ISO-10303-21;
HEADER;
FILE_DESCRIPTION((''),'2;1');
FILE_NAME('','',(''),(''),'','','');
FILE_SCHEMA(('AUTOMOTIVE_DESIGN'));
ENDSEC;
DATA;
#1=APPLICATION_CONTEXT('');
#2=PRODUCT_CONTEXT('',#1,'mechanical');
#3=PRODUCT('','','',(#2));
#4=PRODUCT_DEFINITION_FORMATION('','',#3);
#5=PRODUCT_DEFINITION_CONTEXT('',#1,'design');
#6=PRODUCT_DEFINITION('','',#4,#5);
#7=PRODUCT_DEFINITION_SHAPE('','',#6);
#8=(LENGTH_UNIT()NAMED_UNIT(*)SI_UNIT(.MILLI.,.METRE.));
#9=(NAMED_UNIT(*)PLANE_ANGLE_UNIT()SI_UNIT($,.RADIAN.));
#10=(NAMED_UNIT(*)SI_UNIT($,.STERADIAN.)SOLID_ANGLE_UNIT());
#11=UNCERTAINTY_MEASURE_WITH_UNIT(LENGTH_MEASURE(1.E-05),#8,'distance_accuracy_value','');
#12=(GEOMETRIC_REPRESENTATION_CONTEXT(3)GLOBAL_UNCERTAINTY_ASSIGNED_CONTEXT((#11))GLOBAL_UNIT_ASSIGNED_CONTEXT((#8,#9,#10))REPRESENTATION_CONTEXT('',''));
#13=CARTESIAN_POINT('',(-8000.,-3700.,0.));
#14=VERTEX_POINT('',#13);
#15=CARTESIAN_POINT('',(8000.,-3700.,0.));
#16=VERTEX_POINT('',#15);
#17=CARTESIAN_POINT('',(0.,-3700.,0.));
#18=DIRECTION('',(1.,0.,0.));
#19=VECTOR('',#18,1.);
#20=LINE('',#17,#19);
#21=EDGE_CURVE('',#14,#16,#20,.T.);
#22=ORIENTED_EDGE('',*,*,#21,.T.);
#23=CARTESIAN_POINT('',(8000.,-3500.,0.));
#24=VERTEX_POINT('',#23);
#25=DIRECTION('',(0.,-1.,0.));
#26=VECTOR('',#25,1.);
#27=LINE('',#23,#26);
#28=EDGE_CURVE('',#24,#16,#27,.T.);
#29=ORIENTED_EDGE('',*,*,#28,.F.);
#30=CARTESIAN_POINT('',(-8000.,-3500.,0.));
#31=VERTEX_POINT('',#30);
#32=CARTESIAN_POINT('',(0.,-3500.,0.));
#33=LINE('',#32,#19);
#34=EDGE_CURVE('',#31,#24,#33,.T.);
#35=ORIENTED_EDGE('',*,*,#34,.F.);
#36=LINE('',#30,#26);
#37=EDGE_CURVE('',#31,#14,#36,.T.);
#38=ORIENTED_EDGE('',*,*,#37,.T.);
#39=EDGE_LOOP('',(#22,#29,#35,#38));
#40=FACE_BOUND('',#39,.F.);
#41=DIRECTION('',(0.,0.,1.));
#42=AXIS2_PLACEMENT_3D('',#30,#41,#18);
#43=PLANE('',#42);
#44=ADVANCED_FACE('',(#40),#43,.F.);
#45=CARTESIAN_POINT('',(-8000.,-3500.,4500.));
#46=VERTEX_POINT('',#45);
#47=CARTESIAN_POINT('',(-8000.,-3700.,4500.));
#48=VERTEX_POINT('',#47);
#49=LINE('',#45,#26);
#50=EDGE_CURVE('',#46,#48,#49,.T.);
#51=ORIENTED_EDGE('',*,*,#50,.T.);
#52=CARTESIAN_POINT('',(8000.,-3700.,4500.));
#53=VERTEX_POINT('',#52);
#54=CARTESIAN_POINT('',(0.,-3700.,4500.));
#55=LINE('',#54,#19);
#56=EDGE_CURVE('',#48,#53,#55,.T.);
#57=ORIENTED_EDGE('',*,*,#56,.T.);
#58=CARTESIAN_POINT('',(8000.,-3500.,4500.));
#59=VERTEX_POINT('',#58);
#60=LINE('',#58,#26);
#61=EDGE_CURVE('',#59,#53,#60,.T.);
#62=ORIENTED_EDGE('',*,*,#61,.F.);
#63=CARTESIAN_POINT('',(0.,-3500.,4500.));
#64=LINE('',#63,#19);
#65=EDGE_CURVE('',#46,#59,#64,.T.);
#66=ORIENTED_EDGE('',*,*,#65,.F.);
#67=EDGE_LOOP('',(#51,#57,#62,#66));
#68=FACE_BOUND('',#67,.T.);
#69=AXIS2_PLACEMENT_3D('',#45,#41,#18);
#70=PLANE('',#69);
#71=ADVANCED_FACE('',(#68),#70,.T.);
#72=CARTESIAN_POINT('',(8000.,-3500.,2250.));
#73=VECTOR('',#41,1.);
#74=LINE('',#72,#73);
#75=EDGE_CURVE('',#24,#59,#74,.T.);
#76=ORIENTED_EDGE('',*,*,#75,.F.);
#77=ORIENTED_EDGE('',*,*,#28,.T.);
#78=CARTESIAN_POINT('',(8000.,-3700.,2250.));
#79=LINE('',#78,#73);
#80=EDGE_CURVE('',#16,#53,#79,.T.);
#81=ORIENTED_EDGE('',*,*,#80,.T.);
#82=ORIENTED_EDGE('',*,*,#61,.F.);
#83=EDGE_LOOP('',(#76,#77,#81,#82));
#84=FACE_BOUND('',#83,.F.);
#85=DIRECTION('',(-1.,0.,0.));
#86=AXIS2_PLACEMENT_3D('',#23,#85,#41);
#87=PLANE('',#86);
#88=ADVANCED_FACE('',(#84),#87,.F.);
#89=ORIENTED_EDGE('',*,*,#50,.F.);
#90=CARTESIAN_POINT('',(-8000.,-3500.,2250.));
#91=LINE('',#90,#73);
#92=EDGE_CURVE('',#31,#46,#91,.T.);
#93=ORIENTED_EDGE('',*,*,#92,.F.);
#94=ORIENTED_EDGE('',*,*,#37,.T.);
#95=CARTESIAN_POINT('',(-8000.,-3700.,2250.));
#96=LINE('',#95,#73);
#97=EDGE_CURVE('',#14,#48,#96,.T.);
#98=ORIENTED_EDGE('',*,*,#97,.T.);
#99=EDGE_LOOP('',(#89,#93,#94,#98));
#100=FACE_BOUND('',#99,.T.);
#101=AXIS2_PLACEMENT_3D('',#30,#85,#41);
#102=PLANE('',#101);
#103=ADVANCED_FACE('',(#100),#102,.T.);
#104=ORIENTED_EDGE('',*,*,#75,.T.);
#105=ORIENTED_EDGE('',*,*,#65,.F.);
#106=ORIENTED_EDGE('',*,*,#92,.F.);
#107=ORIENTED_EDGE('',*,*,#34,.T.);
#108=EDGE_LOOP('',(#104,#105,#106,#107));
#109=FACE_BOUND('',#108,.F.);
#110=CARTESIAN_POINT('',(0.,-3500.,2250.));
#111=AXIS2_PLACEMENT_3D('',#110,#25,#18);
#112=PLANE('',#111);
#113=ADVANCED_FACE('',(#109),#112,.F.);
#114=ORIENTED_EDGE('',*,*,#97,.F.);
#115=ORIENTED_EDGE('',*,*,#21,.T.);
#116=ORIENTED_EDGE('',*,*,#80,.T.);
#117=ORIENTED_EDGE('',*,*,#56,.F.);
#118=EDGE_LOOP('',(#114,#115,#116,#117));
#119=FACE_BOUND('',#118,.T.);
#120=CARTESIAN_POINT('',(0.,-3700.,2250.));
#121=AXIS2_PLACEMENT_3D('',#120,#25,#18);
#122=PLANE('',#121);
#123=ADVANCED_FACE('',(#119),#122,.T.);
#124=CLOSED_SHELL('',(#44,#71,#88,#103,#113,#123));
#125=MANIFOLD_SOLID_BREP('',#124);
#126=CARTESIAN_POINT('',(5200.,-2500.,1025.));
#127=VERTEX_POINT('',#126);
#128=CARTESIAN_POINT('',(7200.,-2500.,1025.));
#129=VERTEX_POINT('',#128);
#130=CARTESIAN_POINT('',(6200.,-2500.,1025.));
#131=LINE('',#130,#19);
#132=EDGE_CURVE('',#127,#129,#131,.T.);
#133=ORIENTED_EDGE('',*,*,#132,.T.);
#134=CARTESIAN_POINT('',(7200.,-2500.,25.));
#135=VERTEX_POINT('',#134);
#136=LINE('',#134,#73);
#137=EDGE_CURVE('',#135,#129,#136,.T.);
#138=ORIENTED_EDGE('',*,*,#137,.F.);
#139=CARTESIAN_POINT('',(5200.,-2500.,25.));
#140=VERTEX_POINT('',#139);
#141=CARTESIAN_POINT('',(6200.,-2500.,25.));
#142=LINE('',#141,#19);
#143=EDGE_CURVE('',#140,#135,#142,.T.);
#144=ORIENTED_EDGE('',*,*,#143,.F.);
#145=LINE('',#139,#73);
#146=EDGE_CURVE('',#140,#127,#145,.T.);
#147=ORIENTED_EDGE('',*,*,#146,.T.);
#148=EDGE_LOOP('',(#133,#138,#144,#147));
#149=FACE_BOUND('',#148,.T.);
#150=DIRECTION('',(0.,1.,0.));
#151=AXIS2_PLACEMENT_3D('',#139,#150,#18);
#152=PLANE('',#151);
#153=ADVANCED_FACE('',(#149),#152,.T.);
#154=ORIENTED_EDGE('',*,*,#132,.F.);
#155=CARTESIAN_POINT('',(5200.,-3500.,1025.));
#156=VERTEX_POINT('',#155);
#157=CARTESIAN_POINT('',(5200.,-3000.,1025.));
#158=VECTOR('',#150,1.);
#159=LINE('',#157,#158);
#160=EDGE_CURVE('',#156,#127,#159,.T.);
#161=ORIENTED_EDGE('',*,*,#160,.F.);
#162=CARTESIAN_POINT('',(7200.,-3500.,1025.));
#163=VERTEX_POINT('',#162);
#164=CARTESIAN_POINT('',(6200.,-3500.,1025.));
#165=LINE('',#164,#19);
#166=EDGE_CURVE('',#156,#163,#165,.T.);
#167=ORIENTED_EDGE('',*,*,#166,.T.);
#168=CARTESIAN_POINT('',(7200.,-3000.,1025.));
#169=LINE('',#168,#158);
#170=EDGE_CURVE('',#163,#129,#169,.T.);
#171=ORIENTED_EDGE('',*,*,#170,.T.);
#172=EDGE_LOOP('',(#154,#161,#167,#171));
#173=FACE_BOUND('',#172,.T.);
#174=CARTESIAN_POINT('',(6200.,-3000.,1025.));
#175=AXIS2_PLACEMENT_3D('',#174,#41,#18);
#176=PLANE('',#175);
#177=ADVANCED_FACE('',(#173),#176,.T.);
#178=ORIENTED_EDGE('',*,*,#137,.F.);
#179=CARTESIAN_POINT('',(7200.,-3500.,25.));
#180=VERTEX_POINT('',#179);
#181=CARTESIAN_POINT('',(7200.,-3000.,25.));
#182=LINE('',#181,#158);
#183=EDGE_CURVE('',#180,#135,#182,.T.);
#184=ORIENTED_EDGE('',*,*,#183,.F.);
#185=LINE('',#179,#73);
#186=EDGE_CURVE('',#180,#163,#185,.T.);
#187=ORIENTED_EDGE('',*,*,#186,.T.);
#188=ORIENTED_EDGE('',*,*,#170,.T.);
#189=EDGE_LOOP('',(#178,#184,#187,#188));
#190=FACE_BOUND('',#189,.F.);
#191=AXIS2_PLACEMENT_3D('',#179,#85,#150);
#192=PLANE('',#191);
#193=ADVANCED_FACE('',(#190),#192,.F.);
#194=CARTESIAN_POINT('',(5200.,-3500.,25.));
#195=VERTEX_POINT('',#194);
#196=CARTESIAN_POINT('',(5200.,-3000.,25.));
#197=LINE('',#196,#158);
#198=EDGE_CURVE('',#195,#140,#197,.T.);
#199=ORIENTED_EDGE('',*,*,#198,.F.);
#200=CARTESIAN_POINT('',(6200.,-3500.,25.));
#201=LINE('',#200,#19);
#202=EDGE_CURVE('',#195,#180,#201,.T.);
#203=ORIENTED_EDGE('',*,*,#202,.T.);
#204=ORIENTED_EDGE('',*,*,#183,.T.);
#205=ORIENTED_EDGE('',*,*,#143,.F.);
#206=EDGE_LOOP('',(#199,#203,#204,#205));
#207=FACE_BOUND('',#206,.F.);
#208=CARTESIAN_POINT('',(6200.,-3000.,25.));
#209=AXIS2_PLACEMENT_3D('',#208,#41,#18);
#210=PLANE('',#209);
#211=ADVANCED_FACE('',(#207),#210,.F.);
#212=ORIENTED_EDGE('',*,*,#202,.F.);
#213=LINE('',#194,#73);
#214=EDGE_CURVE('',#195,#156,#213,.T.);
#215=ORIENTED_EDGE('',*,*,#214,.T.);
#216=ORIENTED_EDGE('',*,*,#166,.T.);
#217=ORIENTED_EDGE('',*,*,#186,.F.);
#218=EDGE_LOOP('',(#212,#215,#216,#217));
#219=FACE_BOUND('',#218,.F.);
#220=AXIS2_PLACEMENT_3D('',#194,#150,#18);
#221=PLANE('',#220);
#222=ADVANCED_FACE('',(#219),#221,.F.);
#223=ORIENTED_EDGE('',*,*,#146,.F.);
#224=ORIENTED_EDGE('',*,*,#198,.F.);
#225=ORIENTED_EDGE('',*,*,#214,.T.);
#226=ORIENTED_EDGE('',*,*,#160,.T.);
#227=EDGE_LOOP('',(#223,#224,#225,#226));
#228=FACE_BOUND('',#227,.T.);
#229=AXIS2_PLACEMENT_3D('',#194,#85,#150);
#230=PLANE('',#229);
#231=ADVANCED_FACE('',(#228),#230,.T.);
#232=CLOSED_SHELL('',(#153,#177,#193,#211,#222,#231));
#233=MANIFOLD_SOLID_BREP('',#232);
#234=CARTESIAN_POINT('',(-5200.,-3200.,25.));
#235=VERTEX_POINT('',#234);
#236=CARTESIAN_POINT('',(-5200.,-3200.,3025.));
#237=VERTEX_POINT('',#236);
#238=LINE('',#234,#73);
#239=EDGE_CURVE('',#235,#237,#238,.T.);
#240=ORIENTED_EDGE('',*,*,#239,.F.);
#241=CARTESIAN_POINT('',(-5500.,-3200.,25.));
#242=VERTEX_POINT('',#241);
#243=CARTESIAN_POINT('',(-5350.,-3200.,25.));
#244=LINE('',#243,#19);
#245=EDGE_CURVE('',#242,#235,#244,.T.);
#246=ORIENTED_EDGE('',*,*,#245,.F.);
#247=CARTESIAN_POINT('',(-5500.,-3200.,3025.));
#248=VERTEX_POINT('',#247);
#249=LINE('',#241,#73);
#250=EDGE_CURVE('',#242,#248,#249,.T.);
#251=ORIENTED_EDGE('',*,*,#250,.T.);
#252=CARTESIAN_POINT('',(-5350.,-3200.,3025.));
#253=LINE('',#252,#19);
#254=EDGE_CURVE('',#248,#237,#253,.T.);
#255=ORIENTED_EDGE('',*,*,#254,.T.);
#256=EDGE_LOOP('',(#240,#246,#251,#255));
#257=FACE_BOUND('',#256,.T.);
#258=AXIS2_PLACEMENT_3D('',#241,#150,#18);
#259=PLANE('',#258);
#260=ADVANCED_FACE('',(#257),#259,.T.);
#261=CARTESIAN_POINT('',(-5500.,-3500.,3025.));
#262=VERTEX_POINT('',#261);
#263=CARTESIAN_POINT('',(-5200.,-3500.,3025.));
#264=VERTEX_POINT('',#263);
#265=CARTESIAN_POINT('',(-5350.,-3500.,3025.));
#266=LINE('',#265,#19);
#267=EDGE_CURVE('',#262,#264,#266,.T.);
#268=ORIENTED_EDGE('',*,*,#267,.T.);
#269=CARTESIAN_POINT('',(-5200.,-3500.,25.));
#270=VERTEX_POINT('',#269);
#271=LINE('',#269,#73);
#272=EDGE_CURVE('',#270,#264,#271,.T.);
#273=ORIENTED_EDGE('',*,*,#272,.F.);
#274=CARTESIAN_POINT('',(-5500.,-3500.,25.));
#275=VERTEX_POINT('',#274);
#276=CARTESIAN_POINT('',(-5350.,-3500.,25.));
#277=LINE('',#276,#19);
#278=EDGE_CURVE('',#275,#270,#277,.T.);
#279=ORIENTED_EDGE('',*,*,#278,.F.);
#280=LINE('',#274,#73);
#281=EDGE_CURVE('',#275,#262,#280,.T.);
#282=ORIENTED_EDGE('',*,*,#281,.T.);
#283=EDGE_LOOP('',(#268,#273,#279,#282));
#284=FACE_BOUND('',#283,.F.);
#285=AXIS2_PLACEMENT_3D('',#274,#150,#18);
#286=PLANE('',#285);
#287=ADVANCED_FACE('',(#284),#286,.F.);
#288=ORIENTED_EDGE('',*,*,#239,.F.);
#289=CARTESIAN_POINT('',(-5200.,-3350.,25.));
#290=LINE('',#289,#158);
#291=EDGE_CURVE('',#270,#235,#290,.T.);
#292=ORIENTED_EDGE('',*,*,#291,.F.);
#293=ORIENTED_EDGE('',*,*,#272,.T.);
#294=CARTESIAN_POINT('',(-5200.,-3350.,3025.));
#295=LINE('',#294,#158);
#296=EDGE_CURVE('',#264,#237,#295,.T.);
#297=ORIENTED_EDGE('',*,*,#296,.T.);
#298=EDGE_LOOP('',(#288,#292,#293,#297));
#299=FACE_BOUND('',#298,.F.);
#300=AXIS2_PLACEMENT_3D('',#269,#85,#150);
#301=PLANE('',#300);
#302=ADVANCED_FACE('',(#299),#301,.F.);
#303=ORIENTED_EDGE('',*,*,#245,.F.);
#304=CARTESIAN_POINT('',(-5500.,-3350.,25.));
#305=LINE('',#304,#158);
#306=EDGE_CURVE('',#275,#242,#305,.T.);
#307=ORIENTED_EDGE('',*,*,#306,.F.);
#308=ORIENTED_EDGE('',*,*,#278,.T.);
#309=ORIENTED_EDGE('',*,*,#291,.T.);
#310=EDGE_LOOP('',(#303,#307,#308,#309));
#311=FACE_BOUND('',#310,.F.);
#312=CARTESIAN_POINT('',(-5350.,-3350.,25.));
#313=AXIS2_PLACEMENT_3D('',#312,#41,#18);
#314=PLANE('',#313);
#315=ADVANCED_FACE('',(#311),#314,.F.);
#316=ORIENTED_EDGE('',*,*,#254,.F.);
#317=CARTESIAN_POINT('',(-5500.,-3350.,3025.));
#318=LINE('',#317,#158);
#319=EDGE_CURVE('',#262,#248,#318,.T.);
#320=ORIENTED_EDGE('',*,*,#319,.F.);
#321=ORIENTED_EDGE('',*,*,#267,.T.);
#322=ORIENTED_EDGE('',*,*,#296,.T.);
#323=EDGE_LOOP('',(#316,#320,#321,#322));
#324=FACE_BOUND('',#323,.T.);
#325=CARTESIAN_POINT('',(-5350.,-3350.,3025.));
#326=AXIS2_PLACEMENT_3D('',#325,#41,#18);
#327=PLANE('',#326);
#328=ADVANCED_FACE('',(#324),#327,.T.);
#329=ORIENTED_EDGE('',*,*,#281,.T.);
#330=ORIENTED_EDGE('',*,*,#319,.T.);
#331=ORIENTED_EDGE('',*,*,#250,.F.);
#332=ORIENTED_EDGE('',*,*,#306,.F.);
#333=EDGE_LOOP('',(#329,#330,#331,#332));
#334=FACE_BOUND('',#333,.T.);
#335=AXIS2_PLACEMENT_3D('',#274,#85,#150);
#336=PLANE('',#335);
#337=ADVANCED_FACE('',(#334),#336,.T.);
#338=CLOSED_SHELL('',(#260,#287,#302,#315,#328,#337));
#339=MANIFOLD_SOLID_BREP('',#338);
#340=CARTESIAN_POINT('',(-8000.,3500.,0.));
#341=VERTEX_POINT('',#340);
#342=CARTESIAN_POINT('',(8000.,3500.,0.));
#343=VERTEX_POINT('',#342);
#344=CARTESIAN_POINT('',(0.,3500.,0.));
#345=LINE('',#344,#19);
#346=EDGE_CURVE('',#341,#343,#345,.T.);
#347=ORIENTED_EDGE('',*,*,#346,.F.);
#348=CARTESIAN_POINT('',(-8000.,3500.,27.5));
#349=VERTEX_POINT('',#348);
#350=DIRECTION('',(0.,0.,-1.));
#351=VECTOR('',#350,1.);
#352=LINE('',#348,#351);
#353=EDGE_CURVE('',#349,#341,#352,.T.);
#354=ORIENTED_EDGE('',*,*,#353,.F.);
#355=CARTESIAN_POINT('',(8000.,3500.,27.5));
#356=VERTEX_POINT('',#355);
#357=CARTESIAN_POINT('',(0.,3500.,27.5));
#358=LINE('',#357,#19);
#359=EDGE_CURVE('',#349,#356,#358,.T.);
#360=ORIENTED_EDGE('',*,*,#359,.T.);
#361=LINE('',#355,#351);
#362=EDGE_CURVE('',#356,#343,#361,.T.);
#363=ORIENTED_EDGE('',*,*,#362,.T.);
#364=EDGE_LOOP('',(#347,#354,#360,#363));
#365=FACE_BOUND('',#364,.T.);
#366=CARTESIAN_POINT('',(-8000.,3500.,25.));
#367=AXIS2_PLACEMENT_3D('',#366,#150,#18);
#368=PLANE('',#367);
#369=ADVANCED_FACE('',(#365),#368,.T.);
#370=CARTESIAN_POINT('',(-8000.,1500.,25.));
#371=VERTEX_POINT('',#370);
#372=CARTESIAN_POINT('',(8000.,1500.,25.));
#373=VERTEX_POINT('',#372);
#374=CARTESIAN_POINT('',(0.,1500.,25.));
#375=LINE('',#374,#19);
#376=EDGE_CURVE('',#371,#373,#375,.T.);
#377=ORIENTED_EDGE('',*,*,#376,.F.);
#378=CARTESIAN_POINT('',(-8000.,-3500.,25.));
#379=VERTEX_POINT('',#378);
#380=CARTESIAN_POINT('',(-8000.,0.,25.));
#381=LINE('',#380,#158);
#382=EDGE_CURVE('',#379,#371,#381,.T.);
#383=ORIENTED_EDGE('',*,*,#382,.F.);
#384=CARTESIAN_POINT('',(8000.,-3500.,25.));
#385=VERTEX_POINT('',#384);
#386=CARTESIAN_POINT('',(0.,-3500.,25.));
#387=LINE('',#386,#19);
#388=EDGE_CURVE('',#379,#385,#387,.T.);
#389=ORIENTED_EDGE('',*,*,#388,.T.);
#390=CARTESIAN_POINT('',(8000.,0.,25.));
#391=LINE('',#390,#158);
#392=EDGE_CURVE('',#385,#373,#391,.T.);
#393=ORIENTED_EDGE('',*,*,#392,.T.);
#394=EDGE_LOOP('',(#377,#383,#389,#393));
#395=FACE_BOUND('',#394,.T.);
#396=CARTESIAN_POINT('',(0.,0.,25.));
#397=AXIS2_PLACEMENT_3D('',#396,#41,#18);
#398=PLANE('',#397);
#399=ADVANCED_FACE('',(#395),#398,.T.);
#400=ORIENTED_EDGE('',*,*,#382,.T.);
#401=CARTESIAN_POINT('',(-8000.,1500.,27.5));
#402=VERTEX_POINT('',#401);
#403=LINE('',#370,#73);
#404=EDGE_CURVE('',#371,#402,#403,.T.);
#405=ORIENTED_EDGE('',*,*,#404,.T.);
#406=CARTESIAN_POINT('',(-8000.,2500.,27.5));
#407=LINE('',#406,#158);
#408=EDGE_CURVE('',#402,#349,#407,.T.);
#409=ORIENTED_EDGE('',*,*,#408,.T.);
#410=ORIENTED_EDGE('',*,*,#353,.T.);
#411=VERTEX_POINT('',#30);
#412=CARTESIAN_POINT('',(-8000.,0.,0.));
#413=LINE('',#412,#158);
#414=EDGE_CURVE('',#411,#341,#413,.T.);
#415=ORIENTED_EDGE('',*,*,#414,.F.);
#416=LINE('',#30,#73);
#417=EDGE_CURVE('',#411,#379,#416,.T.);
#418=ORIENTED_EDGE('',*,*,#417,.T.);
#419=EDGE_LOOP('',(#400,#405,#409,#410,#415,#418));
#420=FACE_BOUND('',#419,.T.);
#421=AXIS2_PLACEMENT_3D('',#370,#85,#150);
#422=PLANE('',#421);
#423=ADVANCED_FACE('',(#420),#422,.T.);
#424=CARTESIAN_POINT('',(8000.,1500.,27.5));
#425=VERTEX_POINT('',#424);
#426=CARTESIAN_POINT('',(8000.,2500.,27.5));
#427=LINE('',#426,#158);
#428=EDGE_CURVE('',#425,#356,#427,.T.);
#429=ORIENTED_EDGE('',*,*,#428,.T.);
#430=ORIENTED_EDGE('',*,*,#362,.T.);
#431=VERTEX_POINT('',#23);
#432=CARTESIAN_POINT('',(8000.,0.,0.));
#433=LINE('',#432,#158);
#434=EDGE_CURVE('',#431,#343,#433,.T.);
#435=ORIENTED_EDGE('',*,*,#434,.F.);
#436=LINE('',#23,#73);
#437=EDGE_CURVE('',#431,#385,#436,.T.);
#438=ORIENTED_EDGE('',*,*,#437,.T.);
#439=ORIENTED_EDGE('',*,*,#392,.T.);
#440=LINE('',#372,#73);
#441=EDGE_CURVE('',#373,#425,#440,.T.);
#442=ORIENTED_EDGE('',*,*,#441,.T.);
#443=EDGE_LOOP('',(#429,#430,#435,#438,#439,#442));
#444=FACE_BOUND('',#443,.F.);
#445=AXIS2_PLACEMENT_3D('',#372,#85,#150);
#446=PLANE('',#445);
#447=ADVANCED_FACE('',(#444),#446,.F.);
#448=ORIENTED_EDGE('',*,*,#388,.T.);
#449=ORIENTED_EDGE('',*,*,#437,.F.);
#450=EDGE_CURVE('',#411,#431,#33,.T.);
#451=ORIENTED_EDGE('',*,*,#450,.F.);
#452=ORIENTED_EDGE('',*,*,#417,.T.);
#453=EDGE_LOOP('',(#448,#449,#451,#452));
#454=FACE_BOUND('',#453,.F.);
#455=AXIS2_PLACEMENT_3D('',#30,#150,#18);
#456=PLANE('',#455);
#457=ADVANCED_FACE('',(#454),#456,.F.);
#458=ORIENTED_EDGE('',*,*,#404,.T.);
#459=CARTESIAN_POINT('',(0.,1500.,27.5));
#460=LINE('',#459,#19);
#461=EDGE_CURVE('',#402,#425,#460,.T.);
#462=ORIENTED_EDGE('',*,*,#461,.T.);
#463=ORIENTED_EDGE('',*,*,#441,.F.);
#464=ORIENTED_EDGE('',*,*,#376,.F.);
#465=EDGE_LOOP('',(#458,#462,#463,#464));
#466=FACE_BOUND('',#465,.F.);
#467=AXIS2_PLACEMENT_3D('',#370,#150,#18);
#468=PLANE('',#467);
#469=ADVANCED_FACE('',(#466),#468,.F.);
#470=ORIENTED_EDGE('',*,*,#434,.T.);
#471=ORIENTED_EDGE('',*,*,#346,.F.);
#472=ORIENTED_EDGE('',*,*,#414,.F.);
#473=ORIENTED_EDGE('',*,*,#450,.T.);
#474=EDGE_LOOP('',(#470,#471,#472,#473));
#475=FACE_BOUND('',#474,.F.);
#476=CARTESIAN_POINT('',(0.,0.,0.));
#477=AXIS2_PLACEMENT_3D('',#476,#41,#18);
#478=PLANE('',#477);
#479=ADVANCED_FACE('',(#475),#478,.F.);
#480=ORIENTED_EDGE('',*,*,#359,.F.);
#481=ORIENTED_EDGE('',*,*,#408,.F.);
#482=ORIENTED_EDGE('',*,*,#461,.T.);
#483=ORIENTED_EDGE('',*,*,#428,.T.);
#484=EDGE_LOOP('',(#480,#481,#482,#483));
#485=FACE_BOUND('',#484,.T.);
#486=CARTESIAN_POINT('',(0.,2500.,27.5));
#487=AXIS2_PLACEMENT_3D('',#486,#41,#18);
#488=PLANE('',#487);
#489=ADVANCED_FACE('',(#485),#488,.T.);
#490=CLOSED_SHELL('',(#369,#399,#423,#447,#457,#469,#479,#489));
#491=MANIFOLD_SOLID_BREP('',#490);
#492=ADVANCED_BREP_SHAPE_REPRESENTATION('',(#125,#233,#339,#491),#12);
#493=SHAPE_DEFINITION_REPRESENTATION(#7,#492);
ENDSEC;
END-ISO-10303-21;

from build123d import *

# Parameters (mm, degrees)
F0_W     = 16000
F0_H     = 7000
F1_DEPTH = 25
F2_W     = 16000
F2_H     = 2000
F4_DEPTH = 2.5
F3_W     = 16000
F3_H     = 4500
F5_DEPTH = 200
F6_W     = 300
F6_H     = 300
F7_DEPTH = 3000
F8_W     = 2000
F8_H     = 1000
F9_DEPTH = 1000


with BuildPart() as f1:
    # F0 (on Top) → F1 (new body)
    with BuildSketch(Plane.XY):
        Rectangle(F0_W, F0_H)
    extrude(amount=F1_DEPTH)

    # F2 (on face) → F4 (join)
    with BuildSketch(Plane.XY.offset(25)):
        with Locations((0, 2500)):
            Rectangle(F2_W, F2_H)
    extrude(amount=F4_DEPTH)


with BuildPart() as f5:
    # F3 (on face) → F5 (new body)
    with BuildSketch(Plane.XZ.offset(3500)):
        with Locations((0, 2250)):
            Rectangle(F3_W, F3_H)
    extrude(amount=F5_DEPTH)


with BuildPart() as f7:
    # F6 (on face) → F7 (new body)
    with BuildSketch(Plane.XY.offset(25)):
        with Locations((-5350, -3350)):
            Rectangle(F6_W, F6_H)
    extrude(amount=F7_DEPTH)


with BuildPart() as f9:
    # F8 (on face) → F9 (new body)
    with BuildSketch(Plane.XY.offset(25)):
        with Locations((6200, -3000)):
            Rectangle(F8_W, F8_H)
    extrude(amount=F9_DEPTH)


solid = Compound([f1.part, f5.part, f7.part, f9.part])
